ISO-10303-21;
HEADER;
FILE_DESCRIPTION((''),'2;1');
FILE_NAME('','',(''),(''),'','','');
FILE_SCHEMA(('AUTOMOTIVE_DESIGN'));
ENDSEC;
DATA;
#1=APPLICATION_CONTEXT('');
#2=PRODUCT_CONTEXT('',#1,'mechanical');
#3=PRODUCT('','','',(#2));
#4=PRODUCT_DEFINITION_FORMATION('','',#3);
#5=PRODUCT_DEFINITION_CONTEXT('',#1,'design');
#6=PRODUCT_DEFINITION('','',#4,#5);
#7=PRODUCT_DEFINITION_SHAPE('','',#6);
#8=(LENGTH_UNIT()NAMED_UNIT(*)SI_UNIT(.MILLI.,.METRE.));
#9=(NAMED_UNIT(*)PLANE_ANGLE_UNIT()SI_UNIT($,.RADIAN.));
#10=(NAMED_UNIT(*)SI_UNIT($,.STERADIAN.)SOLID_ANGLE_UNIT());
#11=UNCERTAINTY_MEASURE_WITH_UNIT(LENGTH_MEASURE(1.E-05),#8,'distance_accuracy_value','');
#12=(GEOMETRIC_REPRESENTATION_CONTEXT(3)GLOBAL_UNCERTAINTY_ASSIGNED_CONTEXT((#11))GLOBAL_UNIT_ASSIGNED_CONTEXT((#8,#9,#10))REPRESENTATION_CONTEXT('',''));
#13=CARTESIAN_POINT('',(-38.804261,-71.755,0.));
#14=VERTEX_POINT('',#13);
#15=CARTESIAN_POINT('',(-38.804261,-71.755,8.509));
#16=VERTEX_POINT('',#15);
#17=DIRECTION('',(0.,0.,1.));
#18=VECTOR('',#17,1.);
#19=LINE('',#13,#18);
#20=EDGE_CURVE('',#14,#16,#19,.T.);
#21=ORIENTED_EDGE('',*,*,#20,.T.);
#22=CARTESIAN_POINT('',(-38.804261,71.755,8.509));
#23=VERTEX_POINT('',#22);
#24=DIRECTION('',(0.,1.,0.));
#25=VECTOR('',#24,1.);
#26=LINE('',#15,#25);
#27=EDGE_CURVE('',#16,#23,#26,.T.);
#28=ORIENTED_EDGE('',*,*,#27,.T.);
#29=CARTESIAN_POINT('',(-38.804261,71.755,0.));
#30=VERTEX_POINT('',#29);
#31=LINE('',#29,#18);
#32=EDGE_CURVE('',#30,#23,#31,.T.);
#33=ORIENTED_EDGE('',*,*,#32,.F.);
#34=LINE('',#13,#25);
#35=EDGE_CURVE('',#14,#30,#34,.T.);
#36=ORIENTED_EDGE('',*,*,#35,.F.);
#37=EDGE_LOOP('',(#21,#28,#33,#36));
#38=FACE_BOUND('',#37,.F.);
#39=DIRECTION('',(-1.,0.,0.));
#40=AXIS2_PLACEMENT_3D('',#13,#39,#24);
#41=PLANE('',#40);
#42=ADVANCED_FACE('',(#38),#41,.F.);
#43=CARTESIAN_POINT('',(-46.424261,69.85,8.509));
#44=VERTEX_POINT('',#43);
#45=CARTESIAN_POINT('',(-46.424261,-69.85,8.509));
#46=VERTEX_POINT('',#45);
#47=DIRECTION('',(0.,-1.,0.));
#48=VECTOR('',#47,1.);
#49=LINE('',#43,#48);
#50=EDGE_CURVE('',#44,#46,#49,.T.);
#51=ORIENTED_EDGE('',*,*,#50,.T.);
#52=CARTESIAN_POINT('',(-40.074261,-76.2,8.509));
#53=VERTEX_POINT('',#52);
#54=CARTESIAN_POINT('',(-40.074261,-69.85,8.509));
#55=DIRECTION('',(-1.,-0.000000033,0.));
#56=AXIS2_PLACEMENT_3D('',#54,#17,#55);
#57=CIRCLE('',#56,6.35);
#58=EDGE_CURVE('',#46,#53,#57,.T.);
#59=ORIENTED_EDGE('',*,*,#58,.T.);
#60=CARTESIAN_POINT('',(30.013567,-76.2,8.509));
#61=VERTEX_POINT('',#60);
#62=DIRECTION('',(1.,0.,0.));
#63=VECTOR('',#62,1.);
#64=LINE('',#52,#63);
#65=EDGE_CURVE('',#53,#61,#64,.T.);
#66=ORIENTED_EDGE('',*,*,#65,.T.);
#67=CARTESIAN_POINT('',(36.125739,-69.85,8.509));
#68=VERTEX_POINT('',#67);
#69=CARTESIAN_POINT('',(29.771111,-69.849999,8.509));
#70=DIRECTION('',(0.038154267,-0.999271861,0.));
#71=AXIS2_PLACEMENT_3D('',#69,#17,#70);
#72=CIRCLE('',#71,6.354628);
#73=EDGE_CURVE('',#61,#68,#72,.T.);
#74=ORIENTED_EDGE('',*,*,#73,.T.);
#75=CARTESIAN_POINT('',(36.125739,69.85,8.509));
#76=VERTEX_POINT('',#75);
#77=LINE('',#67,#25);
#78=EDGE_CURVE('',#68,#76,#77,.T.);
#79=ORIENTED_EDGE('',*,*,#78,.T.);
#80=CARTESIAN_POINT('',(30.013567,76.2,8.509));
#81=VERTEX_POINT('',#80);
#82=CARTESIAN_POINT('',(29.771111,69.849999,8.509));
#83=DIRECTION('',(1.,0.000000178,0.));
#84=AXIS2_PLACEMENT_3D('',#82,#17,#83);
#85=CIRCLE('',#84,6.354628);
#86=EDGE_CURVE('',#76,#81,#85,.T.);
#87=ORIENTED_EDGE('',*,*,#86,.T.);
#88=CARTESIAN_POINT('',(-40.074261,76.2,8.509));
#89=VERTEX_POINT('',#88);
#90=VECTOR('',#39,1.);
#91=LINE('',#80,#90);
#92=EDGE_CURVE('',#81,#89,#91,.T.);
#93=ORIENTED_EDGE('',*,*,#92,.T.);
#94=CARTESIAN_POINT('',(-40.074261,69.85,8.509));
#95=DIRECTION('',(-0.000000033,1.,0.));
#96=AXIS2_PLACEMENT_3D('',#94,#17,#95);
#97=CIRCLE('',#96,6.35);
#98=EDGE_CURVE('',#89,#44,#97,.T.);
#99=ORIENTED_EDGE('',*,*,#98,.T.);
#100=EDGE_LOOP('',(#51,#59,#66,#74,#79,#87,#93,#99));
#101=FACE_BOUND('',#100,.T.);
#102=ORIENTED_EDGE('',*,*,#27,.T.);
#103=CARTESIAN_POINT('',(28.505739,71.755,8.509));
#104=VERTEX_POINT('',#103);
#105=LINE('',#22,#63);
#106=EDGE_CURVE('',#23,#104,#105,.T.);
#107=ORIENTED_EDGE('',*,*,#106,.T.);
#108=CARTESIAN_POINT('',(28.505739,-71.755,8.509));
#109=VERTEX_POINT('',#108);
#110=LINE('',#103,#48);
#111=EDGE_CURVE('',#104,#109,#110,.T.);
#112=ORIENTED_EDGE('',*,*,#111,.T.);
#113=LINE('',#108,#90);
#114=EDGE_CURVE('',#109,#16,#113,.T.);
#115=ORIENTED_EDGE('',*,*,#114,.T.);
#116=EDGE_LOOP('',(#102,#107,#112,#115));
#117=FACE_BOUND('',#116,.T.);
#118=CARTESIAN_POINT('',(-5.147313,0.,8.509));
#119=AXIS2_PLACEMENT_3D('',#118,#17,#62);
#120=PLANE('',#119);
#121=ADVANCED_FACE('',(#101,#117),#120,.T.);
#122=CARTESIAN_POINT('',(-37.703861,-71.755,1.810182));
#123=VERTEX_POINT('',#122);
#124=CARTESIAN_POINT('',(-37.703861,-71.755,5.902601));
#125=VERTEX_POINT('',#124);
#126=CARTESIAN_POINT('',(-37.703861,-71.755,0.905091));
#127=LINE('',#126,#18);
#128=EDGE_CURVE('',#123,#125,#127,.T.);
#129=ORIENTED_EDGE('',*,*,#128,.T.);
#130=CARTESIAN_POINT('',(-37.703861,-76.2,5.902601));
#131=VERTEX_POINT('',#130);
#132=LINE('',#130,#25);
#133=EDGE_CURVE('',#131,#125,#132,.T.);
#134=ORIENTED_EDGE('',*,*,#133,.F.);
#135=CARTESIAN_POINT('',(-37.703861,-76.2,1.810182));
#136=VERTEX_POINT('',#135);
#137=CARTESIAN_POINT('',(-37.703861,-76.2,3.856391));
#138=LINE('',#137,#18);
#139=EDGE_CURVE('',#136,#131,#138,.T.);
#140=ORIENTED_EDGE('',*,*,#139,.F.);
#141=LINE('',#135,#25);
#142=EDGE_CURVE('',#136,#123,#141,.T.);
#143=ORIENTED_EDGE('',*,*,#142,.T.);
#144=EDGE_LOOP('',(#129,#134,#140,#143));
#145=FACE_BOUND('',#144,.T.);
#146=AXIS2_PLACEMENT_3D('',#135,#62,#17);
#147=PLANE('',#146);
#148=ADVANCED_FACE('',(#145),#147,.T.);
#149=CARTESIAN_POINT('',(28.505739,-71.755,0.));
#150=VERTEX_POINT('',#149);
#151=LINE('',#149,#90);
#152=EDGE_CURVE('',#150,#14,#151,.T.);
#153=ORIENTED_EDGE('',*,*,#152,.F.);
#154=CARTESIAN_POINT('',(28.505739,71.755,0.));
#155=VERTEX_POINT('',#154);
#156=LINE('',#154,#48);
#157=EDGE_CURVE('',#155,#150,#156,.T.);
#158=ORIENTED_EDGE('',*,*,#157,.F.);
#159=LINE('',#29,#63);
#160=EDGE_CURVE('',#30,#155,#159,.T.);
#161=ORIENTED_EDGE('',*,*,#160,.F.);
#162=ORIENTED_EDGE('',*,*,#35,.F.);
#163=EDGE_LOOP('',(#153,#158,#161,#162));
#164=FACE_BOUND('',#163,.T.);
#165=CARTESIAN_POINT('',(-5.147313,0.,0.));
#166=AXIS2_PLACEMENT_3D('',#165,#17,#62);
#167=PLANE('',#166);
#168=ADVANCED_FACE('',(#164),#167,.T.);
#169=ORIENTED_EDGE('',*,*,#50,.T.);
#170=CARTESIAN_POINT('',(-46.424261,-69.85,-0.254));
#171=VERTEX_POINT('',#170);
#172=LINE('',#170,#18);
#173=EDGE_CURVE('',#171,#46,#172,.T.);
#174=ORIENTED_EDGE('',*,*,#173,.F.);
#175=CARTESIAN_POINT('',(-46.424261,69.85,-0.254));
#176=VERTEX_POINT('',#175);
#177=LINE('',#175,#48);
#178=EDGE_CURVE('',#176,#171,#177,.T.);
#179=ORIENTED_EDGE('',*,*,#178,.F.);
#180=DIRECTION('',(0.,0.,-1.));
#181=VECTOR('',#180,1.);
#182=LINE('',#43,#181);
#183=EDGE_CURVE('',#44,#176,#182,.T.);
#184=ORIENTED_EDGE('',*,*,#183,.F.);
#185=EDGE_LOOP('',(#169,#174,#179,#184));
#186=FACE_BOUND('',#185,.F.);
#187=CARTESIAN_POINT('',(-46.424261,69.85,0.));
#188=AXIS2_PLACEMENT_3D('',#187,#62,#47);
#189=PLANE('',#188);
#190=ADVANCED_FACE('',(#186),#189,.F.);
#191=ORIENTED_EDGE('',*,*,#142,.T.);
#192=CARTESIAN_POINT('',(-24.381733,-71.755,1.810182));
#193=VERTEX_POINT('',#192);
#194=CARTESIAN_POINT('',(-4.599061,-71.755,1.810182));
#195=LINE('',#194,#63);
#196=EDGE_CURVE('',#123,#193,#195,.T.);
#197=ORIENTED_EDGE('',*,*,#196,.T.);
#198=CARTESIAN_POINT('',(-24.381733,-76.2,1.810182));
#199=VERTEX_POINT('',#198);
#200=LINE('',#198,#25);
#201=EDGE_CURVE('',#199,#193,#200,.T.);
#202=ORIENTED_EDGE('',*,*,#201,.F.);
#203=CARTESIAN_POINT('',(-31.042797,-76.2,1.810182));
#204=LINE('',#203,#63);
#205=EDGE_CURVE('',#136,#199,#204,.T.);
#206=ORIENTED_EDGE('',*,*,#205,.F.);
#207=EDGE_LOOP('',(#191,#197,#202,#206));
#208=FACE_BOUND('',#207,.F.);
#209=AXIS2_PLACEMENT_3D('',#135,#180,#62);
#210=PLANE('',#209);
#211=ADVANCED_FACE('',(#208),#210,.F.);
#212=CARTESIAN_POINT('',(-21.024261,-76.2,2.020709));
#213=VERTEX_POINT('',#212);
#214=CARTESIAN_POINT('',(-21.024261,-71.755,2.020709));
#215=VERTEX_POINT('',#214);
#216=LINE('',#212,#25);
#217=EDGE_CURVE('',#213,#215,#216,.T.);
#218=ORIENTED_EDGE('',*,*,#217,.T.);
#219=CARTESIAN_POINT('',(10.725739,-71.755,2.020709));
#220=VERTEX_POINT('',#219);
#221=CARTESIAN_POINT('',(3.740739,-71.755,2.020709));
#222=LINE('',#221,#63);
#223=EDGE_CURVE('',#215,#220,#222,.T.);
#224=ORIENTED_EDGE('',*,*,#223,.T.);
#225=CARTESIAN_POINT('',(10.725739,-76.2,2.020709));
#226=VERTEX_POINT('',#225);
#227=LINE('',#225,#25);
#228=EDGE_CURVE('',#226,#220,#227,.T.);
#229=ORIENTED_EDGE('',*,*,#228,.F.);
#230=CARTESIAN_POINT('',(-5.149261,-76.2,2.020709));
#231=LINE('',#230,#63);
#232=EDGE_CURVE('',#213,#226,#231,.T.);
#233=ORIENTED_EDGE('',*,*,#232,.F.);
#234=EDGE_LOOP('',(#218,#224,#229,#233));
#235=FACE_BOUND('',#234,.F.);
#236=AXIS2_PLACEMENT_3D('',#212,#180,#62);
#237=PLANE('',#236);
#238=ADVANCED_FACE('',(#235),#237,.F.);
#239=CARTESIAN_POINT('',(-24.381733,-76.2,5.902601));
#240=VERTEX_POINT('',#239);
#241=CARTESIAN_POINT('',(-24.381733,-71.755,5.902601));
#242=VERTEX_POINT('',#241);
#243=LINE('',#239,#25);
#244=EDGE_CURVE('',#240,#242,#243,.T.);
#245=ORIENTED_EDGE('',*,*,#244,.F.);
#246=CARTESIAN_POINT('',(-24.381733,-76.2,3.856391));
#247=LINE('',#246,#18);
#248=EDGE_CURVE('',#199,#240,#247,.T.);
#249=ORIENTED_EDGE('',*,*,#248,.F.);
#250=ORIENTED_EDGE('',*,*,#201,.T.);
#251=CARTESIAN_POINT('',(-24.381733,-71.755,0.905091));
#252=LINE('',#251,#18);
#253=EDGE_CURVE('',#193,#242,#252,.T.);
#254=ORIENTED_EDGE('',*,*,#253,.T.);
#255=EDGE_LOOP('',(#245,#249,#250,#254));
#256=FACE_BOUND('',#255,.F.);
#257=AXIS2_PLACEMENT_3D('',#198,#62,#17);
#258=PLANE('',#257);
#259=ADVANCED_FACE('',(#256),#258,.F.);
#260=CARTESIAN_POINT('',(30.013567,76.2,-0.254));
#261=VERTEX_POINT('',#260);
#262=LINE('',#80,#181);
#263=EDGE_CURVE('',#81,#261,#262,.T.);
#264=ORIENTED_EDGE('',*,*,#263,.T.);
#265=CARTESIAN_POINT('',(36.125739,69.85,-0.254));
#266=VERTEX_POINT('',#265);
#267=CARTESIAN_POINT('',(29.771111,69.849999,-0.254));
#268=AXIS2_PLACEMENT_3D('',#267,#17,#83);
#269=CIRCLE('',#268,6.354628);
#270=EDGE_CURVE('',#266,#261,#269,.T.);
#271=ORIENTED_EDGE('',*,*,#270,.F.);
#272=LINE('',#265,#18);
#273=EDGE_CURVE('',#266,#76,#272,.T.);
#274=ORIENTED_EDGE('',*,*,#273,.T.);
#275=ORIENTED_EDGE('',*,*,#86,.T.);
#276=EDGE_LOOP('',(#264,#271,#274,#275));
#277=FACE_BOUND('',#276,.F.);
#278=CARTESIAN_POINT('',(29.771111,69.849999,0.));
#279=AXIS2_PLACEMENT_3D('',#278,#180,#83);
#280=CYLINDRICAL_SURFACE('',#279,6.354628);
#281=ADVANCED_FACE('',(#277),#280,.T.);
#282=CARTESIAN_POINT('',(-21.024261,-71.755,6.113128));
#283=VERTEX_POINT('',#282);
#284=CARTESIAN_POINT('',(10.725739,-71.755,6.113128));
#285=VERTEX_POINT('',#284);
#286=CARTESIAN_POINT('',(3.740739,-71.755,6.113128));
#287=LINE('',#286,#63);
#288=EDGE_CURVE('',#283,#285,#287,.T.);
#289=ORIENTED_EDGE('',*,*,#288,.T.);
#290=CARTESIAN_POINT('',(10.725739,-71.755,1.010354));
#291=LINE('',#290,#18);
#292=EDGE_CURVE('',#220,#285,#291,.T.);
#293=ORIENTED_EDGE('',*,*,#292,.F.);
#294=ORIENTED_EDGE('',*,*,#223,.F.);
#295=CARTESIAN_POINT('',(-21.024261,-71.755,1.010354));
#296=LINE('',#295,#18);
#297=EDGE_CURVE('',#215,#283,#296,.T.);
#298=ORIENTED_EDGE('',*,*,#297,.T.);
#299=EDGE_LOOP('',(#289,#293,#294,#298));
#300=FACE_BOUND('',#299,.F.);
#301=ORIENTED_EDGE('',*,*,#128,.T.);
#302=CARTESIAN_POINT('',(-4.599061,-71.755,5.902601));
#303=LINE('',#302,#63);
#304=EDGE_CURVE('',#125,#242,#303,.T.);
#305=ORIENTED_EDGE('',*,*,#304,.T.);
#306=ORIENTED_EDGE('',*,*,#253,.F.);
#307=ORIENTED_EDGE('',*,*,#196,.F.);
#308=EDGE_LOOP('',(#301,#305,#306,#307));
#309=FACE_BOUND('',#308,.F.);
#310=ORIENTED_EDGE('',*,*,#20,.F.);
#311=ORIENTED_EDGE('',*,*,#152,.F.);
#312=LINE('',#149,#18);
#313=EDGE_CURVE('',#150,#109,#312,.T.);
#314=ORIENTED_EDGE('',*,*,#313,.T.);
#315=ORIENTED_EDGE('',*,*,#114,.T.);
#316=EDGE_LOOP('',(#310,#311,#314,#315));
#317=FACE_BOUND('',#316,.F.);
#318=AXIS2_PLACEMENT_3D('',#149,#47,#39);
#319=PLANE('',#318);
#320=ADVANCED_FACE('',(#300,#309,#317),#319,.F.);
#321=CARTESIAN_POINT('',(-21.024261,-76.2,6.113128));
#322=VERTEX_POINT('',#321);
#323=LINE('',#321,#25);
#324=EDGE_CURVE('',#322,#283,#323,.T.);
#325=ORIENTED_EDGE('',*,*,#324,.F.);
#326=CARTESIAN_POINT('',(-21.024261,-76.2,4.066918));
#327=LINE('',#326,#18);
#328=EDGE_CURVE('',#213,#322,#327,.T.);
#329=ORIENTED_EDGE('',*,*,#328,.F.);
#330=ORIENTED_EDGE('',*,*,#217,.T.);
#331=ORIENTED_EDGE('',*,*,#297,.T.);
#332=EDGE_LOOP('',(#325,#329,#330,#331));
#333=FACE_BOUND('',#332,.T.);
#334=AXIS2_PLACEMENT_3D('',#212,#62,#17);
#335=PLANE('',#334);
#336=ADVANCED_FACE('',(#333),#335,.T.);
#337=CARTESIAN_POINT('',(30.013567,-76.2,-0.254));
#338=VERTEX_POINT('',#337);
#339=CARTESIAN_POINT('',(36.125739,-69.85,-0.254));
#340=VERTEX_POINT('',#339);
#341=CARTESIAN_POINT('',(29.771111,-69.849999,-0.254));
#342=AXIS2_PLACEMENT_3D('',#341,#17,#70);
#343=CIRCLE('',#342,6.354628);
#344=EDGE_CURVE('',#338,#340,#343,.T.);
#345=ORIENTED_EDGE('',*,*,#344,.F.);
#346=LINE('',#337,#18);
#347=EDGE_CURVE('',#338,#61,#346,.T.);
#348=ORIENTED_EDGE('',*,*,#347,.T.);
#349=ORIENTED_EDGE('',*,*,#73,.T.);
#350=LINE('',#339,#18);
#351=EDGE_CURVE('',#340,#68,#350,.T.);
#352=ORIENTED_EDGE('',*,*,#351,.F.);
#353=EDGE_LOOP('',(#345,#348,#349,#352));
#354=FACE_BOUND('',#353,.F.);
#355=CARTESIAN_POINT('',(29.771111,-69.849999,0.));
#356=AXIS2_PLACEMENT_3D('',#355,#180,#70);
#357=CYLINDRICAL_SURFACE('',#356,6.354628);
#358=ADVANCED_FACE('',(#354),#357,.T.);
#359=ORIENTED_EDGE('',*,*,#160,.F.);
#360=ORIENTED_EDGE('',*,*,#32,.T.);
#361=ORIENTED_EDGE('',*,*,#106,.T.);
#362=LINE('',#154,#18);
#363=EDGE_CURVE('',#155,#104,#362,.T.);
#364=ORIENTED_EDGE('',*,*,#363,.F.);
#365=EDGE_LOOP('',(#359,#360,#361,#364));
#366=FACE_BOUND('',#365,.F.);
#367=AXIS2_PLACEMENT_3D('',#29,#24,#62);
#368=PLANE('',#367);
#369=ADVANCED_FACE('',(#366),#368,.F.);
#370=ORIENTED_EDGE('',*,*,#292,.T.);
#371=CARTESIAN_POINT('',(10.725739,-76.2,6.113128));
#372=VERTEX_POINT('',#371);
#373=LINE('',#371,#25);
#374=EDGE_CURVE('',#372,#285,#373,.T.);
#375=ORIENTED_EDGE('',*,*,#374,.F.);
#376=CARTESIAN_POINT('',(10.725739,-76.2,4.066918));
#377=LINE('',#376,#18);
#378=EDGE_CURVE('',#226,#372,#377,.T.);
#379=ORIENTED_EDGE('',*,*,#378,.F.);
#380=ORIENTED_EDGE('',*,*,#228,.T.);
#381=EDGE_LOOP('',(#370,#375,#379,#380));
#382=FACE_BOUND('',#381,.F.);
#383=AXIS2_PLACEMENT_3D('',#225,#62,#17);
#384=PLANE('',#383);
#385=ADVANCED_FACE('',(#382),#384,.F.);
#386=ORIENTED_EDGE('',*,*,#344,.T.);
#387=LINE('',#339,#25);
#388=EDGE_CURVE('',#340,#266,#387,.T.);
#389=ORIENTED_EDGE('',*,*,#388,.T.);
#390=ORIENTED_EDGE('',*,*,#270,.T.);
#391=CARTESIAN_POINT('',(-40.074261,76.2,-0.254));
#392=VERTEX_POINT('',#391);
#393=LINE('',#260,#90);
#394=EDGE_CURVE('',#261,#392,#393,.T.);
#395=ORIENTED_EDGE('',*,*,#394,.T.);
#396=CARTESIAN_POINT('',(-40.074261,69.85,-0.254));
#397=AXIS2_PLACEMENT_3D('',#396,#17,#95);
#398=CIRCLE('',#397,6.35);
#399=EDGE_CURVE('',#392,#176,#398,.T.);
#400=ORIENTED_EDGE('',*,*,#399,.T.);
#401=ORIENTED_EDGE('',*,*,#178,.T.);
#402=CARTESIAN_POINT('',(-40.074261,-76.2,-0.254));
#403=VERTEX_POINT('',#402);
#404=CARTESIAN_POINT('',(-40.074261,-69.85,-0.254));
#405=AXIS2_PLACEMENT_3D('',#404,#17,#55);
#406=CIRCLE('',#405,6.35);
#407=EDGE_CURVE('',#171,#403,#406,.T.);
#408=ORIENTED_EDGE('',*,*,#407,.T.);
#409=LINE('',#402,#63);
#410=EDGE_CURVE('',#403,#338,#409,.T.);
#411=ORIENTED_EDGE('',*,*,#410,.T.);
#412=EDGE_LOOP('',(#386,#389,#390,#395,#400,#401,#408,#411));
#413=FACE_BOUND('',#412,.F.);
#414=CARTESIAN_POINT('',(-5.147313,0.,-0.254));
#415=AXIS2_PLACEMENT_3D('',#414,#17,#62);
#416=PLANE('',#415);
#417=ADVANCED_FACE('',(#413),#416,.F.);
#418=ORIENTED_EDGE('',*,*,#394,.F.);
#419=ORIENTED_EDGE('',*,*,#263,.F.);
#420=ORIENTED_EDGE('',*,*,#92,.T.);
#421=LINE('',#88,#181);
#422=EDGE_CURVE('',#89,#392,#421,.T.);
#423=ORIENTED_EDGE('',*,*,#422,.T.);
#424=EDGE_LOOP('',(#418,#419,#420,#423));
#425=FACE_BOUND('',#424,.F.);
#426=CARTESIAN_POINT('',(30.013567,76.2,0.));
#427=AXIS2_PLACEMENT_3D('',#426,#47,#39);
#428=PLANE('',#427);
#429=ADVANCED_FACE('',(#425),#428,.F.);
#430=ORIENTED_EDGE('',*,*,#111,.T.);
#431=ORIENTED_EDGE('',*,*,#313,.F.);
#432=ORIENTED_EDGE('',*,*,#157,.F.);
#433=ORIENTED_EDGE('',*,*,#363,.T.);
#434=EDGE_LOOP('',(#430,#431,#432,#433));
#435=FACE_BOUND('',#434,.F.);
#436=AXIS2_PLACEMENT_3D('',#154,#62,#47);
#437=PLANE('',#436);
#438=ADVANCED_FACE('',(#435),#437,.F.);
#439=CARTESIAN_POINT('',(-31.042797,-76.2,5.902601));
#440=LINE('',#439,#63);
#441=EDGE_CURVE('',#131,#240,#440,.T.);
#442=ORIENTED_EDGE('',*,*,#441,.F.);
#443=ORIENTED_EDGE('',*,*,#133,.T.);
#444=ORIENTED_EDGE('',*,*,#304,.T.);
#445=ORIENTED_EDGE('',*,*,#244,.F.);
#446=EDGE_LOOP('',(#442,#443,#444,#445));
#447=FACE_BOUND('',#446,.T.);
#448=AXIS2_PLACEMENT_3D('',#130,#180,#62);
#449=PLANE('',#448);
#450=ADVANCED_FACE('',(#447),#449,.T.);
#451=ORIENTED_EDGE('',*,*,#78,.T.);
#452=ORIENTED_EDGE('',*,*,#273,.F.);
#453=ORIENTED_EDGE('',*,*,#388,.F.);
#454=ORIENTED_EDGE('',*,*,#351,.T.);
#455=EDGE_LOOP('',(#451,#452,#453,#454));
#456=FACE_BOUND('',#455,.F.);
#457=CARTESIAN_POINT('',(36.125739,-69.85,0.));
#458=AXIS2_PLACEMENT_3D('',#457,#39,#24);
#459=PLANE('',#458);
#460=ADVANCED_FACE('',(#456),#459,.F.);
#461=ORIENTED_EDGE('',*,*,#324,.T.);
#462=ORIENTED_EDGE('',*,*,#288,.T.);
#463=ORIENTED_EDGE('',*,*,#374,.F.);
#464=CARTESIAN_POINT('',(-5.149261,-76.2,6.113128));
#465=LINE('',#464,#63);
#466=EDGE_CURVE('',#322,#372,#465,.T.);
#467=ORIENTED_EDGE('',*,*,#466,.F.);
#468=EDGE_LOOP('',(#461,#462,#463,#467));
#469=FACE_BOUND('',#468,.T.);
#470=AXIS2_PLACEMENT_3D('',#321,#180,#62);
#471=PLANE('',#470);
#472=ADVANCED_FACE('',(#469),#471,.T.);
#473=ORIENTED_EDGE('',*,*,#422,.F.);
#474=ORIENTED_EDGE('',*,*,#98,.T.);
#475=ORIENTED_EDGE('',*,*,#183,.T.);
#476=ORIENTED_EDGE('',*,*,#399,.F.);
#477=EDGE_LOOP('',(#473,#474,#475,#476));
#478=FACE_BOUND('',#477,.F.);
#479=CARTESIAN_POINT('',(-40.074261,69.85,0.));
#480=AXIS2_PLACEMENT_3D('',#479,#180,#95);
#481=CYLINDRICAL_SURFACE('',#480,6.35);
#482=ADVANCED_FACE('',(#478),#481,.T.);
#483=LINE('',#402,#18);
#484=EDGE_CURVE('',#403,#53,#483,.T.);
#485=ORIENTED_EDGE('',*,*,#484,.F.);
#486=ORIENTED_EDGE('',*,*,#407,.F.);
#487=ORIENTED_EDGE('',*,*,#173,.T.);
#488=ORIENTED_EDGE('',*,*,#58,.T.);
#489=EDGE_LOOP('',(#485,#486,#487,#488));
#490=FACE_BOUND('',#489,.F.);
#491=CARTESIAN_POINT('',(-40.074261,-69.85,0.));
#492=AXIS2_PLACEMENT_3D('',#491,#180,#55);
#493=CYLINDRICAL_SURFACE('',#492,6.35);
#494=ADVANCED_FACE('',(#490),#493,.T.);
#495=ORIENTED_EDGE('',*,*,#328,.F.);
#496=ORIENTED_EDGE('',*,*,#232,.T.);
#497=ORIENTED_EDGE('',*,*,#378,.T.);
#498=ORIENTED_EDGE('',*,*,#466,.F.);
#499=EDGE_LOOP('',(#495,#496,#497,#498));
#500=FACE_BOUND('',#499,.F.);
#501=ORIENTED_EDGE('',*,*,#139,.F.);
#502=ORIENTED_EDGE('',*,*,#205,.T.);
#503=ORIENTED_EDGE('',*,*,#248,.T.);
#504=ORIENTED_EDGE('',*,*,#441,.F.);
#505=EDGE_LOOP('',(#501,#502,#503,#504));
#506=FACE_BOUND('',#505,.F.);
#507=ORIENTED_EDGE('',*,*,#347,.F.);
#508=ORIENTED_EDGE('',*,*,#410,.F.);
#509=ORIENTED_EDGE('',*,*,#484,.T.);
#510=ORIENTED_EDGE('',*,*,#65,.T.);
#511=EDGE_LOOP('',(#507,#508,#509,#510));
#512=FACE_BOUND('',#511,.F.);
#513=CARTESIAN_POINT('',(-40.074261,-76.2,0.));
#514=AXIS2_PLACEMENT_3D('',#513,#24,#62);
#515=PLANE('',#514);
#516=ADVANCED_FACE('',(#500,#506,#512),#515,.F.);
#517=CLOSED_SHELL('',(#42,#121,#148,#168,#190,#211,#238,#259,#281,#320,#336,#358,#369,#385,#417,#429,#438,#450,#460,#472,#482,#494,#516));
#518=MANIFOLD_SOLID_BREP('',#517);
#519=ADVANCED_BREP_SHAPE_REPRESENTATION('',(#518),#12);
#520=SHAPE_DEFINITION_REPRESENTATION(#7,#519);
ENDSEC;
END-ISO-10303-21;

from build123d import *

# Parameters (mm, degrees)
F1_DEPTH = 0.254
F2_DEPTH = 8.509
F3_W     = 31.75
F3_H     = 4.092419
F3_W_2   = 13.322128
F4_DEPTH = 25.4


with BuildPart() as f1:
    # F0 (on Top) → F1 (new body)
    with BuildSketch(Plane.XY):
        with BuildLine():
            Line((-46.424261, 69.85), (-46.424261, 0))
            Line((-46.424261, 0), (-46.424261, -69.85))
            ThreePointArc((-46.424261, -69.85), (-44.564389, -74.340128), (-40.074261, -76.2))
            Line((-40.074261, -76.2), (30.013567, -76.2))
            ThreePointArc((30.013567, -76.2), (34.34943, -74.256845), (36.125739, -69.85))
            Line((36.125739, -69.85), (36.125739, 0))
            Line((36.125739, 0), (36.125739, 69.85))
            ThreePointArc((36.125739, 69.85), (34.34943, 74.256845), (30.013567, 76.2))
            Line((30.013567, 76.2), (-40.074261, 76.2))
            ThreePointArc((-40.074261, 76.2), (-44.564389, 74.340128), (-46.424261, 69.85))
        make_face()
        Polygon((-38.804261, 0), (-38.804261, 71.755), (28.505739, 71.755), (28.505739, 0), (28.505739, -71.755), (-38.804261, -71.755), align=None, mode=Mode.SUBTRACT)
        Polygon((28.505739, 71.755), (-38.804261, 71.755), (-38.804261, 0), (-38.804261, -71.755), (28.505739, -71.755), (28.505739, 0), align=None)
    extrude(amount=-F1_DEPTH)

    # F0 (on Top) → F2 (join)
    with BuildSketch(Plane.XY):
        with BuildLine():
            Line((-46.424261, 69.85), (-46.424261, 0))
            Line((-46.424261, 0), (-46.424261, -69.85))
            ThreePointArc((-46.424261, -69.85), (-44.564389, -74.340128), (-40.074261, -76.2))
            Line((-40.074261, -76.2), (30.013567, -76.2))
            ThreePointArc((30.013567, -76.2), (34.34943, -74.256845), (36.125739, -69.85))
            Line((36.125739, -69.85), (36.125739, 0))
            Line((36.125739, 0), (36.125739, 69.85))
            ThreePointArc((36.125739, 69.85), (34.34943, 74.256845), (30.013567, 76.2))
            Line((30.013567, 76.2), (-40.074261, 76.2))
            ThreePointArc((-40.074261, 76.2), (-44.564389, 74.340128), (-46.424261, 69.85))
        make_face()
        Polygon((-38.804261, 0), (-38.804261, 71.755), (28.505739, 71.755), (28.505739, 0), (28.505739, -71.755), (-38.804261, -71.755), align=None, mode=Mode.SUBTRACT)
    extrude(amount=F2_DEPTH)

    # F3 (on face) → F4 (cut)
    with BuildSketch(Plane.XZ.offset(76.2)):
        with Locations((-5.149261, 4.066918)):
            Rectangle(F3_W, F3_H)
        with Locations((-31.042797, 3.856391)):
            Rectangle(F3_W_2, F3_H)
    extrude(amount=-F4_DEPTH, mode=Mode.SUBTRACT)


solid = f1.part
